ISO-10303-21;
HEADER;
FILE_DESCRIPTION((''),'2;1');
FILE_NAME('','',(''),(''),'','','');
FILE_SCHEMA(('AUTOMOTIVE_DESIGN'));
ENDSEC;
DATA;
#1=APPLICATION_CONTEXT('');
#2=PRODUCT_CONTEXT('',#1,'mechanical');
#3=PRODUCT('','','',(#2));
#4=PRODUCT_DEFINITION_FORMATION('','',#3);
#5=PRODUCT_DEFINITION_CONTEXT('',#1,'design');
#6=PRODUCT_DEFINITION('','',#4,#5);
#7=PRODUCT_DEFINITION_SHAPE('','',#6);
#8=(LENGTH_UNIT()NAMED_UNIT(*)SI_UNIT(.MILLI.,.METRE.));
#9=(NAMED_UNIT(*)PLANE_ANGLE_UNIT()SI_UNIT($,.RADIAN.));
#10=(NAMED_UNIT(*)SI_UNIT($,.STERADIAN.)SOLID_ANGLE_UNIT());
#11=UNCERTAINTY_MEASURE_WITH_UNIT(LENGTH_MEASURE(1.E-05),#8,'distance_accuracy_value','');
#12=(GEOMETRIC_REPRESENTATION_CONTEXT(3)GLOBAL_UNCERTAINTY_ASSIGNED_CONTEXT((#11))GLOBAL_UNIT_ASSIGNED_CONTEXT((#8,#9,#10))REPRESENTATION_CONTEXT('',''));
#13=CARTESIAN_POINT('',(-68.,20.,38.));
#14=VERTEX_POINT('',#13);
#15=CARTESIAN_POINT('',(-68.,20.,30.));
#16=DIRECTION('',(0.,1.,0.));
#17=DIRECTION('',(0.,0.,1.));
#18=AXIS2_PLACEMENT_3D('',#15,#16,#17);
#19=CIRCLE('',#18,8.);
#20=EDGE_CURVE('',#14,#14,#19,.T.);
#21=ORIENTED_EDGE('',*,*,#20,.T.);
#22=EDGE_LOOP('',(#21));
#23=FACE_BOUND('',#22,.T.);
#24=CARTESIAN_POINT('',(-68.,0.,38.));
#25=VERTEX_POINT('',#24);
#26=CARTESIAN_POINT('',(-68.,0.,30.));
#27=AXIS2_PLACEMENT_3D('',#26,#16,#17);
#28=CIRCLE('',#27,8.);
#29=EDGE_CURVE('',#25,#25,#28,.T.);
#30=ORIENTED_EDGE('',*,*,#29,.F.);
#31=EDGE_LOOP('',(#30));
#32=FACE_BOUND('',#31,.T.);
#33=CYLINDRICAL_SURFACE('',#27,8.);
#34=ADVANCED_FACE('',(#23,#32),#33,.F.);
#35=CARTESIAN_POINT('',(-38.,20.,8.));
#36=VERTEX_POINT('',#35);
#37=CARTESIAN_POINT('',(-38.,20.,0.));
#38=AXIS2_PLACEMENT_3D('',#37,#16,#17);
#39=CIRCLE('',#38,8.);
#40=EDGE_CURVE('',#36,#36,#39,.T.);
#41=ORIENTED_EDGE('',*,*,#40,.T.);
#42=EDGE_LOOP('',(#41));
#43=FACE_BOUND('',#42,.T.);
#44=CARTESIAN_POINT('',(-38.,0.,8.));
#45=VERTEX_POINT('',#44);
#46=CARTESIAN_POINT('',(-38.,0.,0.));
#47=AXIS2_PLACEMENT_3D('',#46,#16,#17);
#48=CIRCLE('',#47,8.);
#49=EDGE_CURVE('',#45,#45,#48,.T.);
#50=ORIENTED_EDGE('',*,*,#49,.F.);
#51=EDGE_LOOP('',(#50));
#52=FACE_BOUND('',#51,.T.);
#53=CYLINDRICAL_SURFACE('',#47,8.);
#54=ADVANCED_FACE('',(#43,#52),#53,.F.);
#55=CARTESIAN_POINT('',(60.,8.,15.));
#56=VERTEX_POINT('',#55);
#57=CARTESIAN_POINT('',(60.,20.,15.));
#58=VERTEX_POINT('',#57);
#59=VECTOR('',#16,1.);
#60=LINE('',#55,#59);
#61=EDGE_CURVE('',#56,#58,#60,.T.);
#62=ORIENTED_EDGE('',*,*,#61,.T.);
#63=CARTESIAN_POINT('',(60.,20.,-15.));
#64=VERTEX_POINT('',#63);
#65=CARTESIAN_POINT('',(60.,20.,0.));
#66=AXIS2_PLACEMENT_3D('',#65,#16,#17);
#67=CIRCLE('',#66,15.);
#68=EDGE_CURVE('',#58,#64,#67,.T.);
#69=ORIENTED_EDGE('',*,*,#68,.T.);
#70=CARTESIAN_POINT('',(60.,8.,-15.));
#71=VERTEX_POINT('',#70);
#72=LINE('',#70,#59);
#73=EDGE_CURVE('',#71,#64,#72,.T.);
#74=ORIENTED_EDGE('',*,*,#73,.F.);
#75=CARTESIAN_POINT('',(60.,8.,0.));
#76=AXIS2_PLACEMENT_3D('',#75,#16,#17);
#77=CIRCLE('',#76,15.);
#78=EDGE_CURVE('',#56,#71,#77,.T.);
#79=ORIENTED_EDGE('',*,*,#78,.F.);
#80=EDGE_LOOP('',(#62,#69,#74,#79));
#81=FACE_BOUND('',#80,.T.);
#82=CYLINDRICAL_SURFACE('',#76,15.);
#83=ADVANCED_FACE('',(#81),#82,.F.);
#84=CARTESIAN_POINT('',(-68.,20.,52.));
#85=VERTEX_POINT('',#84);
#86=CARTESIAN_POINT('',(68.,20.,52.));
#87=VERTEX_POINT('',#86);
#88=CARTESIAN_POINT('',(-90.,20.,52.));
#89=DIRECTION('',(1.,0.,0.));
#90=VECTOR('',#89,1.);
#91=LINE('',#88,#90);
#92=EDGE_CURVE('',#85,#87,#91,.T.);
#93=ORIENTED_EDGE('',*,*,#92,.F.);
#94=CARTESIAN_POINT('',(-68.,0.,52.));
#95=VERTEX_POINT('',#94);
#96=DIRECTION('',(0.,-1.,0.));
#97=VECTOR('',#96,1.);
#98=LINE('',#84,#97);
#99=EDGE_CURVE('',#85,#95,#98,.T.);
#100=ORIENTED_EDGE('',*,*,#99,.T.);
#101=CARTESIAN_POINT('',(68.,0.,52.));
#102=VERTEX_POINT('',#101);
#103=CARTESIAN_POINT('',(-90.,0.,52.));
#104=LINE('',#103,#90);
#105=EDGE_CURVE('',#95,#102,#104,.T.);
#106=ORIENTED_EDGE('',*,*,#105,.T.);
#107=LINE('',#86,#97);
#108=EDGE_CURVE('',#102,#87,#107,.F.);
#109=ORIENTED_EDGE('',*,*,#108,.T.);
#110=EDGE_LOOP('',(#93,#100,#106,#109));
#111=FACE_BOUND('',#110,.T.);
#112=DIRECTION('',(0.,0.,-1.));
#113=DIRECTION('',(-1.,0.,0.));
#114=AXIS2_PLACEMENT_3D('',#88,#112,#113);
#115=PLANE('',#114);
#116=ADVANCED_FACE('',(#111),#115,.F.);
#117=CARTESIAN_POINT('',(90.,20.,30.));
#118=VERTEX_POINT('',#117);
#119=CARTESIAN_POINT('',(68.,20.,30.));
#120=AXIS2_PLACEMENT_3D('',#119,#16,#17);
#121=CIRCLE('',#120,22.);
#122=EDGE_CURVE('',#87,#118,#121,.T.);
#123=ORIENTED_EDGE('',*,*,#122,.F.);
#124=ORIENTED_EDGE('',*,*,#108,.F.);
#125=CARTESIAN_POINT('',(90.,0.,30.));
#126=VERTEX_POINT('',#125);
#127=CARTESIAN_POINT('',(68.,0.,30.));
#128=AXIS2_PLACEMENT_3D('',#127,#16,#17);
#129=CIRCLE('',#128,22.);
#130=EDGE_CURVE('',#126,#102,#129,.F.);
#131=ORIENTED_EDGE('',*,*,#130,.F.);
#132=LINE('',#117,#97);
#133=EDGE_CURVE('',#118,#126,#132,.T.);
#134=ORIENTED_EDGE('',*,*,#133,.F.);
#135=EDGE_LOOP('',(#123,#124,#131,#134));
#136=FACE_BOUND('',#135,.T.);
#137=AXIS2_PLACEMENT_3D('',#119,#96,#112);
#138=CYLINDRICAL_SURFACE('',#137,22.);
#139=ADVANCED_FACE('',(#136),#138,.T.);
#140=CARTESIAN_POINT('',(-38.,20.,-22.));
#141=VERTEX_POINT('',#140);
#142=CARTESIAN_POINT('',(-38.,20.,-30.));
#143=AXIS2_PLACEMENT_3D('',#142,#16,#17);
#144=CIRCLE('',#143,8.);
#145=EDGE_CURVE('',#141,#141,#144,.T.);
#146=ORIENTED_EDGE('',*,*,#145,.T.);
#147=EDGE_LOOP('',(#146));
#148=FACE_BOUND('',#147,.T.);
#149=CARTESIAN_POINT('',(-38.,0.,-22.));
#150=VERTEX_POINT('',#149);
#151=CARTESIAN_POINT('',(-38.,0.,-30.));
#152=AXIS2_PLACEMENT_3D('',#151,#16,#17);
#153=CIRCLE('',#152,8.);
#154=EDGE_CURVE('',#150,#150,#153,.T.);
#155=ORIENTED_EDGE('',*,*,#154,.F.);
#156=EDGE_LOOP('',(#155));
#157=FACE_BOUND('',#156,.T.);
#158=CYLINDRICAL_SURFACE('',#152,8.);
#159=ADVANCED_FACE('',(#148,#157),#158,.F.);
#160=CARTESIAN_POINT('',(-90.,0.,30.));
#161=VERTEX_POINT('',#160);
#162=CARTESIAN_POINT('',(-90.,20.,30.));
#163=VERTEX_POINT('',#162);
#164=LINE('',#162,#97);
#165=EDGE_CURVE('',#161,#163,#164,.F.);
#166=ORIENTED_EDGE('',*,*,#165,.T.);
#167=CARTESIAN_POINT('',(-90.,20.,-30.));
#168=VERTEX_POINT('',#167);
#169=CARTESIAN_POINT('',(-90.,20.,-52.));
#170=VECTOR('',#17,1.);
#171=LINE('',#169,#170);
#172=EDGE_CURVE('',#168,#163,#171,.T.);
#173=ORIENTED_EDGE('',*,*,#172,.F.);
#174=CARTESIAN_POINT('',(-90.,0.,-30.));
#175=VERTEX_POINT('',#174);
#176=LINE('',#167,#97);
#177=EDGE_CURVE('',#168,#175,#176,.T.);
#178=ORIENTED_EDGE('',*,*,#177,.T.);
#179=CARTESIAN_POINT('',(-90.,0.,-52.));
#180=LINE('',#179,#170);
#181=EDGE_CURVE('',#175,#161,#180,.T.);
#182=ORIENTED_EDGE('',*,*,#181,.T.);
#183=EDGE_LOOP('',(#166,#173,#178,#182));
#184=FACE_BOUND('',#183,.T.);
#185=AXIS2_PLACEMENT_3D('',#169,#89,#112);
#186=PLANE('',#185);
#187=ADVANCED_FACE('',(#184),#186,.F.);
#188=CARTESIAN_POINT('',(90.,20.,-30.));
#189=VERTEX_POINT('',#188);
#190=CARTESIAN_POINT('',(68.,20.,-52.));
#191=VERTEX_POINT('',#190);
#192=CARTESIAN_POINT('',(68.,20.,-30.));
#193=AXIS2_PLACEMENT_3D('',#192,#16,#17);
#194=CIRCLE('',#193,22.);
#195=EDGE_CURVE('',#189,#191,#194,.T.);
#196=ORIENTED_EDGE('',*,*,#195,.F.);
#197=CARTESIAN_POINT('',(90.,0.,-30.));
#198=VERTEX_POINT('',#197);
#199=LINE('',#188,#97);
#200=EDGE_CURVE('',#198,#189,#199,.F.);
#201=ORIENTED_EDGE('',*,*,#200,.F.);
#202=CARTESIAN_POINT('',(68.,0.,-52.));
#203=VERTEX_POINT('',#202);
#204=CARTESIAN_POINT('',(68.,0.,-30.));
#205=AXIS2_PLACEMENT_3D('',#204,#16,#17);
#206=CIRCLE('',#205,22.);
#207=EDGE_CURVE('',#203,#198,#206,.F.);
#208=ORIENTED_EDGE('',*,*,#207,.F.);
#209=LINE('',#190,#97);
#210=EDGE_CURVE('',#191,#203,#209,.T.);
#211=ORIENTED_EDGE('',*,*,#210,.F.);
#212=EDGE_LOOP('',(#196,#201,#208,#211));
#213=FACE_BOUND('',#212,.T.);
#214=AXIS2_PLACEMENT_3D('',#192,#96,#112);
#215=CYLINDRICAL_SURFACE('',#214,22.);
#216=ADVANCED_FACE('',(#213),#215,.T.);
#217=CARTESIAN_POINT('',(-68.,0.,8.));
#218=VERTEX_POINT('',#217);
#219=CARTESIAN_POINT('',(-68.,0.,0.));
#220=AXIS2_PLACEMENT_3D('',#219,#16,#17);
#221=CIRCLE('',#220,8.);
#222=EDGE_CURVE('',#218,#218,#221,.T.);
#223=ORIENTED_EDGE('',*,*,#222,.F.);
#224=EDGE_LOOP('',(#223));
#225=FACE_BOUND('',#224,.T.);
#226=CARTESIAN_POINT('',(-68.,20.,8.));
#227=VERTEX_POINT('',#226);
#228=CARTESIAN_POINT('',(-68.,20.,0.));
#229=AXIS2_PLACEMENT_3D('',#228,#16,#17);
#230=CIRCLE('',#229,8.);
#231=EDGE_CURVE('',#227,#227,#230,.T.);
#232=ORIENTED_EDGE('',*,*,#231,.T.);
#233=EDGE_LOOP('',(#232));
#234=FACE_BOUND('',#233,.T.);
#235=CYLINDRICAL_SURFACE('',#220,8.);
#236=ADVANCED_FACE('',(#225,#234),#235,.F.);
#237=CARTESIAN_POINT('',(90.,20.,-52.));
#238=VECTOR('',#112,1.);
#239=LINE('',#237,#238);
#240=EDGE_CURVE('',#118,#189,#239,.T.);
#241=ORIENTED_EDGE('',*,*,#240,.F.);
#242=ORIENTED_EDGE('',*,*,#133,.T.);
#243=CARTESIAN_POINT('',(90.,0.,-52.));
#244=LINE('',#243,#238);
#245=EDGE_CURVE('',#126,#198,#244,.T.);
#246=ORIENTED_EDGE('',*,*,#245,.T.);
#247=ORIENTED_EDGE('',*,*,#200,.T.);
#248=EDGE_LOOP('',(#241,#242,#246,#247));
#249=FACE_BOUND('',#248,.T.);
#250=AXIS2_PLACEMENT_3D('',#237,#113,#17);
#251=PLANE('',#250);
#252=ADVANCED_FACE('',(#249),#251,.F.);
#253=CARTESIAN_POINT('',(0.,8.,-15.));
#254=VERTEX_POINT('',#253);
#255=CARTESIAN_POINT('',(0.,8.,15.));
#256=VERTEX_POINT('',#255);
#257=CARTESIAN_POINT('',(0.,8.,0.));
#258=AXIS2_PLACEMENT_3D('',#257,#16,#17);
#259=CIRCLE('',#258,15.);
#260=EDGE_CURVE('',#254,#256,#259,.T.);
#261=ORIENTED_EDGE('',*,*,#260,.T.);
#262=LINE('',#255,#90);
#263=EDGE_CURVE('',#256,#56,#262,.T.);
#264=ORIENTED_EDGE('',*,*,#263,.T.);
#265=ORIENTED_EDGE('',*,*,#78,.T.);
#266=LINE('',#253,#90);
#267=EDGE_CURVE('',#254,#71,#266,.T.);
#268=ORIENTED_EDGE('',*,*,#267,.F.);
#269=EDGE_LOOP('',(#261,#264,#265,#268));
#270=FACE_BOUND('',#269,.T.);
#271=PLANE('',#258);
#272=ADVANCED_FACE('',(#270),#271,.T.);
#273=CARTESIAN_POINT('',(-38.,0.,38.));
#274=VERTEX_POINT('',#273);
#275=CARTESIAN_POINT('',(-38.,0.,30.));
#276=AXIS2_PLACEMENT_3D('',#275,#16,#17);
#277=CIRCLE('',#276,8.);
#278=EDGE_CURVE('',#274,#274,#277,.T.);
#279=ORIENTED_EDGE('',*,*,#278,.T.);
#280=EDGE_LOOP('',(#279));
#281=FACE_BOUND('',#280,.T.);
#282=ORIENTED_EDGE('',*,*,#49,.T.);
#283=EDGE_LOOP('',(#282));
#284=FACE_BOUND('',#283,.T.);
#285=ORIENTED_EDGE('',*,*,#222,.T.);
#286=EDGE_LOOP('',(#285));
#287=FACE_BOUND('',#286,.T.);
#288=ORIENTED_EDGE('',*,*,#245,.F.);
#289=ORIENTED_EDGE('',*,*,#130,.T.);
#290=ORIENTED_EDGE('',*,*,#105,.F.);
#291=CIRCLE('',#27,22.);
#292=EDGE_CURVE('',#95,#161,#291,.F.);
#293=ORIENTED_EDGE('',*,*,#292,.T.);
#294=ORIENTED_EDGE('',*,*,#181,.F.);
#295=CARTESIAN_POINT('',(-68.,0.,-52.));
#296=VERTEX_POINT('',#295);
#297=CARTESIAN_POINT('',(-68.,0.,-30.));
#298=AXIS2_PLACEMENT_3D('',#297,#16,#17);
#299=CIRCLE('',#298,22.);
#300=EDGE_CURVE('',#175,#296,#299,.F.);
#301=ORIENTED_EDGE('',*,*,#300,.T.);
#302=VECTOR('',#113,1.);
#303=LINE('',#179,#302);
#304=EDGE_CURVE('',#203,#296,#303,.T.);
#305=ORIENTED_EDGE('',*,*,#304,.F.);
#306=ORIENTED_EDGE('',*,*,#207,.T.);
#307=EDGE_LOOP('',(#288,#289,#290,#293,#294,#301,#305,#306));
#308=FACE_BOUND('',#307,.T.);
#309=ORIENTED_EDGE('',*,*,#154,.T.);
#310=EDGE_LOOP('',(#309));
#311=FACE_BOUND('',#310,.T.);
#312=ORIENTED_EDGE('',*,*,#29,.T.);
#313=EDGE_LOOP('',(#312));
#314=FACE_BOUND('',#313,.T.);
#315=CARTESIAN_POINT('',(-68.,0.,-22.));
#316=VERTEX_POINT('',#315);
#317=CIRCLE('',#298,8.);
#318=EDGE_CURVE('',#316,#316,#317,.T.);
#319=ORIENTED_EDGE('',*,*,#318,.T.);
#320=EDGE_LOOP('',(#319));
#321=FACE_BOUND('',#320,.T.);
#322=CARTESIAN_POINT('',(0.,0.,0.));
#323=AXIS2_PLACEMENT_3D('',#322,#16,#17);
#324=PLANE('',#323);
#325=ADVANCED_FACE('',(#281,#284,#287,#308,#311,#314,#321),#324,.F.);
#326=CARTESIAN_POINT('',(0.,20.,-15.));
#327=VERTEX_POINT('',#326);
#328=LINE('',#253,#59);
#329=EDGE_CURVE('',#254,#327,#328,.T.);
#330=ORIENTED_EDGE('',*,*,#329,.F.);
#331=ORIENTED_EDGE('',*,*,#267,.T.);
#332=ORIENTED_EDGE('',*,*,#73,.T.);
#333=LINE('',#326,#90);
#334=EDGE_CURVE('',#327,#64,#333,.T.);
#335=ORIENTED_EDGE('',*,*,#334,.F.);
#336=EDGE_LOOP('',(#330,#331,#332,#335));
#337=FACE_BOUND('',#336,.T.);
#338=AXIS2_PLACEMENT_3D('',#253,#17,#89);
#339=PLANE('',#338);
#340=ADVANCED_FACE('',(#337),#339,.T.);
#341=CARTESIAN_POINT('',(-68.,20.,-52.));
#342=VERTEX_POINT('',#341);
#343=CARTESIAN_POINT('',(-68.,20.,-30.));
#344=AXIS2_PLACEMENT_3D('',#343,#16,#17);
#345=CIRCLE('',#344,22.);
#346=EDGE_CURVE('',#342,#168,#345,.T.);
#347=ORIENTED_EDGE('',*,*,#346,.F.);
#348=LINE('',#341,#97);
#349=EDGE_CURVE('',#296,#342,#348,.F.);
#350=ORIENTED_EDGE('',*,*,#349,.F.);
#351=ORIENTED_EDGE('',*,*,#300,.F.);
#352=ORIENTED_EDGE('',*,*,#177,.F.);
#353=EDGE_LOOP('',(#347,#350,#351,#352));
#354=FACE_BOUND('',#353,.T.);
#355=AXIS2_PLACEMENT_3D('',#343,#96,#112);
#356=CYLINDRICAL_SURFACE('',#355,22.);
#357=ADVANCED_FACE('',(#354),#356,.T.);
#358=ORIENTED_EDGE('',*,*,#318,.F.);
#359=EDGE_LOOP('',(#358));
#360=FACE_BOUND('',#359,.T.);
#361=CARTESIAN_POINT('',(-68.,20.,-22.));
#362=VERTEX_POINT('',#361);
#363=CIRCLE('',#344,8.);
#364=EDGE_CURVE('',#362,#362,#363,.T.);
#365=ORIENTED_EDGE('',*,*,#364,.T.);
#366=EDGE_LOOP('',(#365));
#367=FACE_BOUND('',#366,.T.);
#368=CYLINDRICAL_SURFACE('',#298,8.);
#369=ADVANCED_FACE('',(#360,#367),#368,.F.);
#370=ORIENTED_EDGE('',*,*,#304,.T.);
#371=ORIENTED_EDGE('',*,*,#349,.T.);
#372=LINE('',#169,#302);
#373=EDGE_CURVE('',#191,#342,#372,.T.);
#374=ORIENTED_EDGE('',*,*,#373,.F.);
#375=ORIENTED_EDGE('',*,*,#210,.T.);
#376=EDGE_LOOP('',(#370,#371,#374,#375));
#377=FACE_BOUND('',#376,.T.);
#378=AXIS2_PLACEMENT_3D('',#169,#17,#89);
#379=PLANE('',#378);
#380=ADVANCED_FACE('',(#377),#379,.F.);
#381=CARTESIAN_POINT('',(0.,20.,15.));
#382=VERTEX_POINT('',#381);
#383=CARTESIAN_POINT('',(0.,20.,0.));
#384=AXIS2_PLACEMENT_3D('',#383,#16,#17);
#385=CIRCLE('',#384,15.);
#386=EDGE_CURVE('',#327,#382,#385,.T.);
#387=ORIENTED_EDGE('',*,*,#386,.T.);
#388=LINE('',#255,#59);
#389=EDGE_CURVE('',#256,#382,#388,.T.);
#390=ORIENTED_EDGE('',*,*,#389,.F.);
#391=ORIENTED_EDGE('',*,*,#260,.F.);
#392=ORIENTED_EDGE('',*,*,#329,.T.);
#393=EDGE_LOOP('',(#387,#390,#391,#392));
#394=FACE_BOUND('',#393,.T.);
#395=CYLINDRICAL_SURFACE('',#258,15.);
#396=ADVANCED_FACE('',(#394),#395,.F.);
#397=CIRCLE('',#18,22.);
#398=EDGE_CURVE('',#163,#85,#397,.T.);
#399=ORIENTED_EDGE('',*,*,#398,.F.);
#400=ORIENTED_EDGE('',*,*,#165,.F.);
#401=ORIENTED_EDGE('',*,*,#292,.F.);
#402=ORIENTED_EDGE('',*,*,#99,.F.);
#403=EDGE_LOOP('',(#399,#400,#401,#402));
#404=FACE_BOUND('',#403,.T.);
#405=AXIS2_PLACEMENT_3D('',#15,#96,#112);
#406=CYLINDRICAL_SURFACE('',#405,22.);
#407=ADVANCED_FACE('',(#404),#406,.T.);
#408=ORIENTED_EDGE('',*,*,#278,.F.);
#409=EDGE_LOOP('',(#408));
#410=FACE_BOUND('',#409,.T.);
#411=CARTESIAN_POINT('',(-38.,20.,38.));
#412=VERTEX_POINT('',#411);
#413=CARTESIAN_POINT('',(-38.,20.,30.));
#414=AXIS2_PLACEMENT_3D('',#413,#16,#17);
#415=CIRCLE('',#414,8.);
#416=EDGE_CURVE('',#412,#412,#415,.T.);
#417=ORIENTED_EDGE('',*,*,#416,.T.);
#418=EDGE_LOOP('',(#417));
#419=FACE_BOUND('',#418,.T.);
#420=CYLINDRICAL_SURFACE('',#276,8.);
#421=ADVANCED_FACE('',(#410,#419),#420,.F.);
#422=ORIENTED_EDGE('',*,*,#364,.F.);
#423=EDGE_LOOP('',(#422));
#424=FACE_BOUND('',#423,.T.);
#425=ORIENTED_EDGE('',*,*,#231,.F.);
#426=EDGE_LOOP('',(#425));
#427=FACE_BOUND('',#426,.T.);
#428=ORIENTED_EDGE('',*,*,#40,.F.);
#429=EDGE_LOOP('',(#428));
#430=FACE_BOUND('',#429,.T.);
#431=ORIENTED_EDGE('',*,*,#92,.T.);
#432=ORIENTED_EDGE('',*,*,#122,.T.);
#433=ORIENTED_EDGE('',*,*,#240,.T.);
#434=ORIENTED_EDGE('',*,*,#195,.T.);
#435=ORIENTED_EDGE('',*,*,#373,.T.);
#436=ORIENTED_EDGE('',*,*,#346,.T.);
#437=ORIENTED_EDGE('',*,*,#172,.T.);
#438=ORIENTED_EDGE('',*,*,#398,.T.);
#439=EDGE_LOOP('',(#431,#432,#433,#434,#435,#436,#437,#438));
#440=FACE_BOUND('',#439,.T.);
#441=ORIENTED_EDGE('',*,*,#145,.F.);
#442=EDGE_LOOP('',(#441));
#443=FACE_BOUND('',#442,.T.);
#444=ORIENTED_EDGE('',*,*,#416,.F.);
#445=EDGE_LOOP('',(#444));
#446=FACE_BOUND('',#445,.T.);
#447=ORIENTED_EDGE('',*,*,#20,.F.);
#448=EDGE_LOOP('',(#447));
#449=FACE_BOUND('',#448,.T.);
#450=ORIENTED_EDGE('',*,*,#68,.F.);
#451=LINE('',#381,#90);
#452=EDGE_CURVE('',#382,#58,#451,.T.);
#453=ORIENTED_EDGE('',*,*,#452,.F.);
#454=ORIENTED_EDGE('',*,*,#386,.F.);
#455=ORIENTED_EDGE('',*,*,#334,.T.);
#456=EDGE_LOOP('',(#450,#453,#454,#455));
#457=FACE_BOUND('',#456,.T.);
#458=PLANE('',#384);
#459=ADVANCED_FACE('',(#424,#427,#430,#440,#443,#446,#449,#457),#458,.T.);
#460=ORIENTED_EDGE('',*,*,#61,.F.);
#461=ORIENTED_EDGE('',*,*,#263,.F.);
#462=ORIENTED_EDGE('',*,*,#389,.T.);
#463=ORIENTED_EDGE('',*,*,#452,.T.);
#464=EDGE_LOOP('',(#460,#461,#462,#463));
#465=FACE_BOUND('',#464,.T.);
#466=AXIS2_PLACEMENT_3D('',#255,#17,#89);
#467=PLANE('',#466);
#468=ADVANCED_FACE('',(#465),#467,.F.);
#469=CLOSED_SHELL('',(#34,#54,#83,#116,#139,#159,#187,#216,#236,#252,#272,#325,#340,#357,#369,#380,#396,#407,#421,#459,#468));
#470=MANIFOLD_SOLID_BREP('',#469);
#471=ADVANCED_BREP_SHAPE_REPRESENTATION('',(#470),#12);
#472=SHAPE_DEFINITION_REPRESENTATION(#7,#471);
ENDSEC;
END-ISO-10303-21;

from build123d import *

# Parameters (mm, degrees)
SKETCH1_W           = 180
SKETCH1_H           = 104
BOSS_EXTRUDE1_DEPTH = 20
FILLET1_R           = 22
SKETCH3_R           = 8
CUT_EXTRUDE1_DEPTH  = 20
CUT_EXTRUDE2_DEPTH  = 12


with BuildPart() as part:
    # Sketch1 → Boss-Extrude1 (new body)
    with BuildSketch(Plane(origin=(0, 0, 0), x_dir=(1, 0, 0), z_dir=(0, 1, 0))):
        Rectangle(SKETCH1_W, SKETCH1_H)
    extrude(amount=BOSS_EXTRUDE1_DEPTH)

    # Fillet1
    fillet1_edges = [part.edges().sort_by_distance(p)[0] for p in [
        (90, 10, 52),
        (-90, 10, 52),
        (-90, 10, -52),
        (90, 10, -52),
    ]]
    fillet(fillet1_edges, radius=FILLET1_R)

    # Sketch3 → Cut-Extrude1 (cut)
    with BuildSketch(Plane(origin=(0, 20, 0), x_dir=(1, 0, 0), z_dir=(0, 1, 0))):
        with Locations(Location((-68, 30, 0), (0, 0, 270))):
            Circle(SKETCH3_R)
        with Locations(Location((-68, 0, 0), (0, 0, 270))):
            Circle(SKETCH3_R)
        with Locations(Location((-68, -30, 0), (0, 0, 270))):
            Circle(SKETCH3_R)
        with Locations(Location((-38, -30, 0), (0, 0, 270))):
            Circle(SKETCH3_R)
        with Locations(Location((-38, 0, 0), (0, 0, 270))):
            Circle(SKETCH3_R)
        with Locations(Location((-38, 30, 0), (0, 0, 270))):
            Circle(SKETCH3_R)
    extrude(amount=-CUT_EXTRUDE1_DEPTH, mode=Mode.SUBTRACT)

    # Sketch4 → Cut-Extrude2 (cut)
    with BuildSketch(Plane(origin=(0, 20, 0), x_dir=(1, 0, 0), z_dir=(0, 1, 0))):
        with BuildLine():
            Line((0, 15), (60, 15))
            ThreePointArc((60, 15), (75, 0), (60, -15))
            Line((60, -15), (0, -15))
            ThreePointArc((0, -15), (-15, 0), (0, 15))
        make_face()
    extrude(amount=-CUT_EXTRUDE2_DEPTH, mode=Mode.SUBTRACT)


solid = part.part
